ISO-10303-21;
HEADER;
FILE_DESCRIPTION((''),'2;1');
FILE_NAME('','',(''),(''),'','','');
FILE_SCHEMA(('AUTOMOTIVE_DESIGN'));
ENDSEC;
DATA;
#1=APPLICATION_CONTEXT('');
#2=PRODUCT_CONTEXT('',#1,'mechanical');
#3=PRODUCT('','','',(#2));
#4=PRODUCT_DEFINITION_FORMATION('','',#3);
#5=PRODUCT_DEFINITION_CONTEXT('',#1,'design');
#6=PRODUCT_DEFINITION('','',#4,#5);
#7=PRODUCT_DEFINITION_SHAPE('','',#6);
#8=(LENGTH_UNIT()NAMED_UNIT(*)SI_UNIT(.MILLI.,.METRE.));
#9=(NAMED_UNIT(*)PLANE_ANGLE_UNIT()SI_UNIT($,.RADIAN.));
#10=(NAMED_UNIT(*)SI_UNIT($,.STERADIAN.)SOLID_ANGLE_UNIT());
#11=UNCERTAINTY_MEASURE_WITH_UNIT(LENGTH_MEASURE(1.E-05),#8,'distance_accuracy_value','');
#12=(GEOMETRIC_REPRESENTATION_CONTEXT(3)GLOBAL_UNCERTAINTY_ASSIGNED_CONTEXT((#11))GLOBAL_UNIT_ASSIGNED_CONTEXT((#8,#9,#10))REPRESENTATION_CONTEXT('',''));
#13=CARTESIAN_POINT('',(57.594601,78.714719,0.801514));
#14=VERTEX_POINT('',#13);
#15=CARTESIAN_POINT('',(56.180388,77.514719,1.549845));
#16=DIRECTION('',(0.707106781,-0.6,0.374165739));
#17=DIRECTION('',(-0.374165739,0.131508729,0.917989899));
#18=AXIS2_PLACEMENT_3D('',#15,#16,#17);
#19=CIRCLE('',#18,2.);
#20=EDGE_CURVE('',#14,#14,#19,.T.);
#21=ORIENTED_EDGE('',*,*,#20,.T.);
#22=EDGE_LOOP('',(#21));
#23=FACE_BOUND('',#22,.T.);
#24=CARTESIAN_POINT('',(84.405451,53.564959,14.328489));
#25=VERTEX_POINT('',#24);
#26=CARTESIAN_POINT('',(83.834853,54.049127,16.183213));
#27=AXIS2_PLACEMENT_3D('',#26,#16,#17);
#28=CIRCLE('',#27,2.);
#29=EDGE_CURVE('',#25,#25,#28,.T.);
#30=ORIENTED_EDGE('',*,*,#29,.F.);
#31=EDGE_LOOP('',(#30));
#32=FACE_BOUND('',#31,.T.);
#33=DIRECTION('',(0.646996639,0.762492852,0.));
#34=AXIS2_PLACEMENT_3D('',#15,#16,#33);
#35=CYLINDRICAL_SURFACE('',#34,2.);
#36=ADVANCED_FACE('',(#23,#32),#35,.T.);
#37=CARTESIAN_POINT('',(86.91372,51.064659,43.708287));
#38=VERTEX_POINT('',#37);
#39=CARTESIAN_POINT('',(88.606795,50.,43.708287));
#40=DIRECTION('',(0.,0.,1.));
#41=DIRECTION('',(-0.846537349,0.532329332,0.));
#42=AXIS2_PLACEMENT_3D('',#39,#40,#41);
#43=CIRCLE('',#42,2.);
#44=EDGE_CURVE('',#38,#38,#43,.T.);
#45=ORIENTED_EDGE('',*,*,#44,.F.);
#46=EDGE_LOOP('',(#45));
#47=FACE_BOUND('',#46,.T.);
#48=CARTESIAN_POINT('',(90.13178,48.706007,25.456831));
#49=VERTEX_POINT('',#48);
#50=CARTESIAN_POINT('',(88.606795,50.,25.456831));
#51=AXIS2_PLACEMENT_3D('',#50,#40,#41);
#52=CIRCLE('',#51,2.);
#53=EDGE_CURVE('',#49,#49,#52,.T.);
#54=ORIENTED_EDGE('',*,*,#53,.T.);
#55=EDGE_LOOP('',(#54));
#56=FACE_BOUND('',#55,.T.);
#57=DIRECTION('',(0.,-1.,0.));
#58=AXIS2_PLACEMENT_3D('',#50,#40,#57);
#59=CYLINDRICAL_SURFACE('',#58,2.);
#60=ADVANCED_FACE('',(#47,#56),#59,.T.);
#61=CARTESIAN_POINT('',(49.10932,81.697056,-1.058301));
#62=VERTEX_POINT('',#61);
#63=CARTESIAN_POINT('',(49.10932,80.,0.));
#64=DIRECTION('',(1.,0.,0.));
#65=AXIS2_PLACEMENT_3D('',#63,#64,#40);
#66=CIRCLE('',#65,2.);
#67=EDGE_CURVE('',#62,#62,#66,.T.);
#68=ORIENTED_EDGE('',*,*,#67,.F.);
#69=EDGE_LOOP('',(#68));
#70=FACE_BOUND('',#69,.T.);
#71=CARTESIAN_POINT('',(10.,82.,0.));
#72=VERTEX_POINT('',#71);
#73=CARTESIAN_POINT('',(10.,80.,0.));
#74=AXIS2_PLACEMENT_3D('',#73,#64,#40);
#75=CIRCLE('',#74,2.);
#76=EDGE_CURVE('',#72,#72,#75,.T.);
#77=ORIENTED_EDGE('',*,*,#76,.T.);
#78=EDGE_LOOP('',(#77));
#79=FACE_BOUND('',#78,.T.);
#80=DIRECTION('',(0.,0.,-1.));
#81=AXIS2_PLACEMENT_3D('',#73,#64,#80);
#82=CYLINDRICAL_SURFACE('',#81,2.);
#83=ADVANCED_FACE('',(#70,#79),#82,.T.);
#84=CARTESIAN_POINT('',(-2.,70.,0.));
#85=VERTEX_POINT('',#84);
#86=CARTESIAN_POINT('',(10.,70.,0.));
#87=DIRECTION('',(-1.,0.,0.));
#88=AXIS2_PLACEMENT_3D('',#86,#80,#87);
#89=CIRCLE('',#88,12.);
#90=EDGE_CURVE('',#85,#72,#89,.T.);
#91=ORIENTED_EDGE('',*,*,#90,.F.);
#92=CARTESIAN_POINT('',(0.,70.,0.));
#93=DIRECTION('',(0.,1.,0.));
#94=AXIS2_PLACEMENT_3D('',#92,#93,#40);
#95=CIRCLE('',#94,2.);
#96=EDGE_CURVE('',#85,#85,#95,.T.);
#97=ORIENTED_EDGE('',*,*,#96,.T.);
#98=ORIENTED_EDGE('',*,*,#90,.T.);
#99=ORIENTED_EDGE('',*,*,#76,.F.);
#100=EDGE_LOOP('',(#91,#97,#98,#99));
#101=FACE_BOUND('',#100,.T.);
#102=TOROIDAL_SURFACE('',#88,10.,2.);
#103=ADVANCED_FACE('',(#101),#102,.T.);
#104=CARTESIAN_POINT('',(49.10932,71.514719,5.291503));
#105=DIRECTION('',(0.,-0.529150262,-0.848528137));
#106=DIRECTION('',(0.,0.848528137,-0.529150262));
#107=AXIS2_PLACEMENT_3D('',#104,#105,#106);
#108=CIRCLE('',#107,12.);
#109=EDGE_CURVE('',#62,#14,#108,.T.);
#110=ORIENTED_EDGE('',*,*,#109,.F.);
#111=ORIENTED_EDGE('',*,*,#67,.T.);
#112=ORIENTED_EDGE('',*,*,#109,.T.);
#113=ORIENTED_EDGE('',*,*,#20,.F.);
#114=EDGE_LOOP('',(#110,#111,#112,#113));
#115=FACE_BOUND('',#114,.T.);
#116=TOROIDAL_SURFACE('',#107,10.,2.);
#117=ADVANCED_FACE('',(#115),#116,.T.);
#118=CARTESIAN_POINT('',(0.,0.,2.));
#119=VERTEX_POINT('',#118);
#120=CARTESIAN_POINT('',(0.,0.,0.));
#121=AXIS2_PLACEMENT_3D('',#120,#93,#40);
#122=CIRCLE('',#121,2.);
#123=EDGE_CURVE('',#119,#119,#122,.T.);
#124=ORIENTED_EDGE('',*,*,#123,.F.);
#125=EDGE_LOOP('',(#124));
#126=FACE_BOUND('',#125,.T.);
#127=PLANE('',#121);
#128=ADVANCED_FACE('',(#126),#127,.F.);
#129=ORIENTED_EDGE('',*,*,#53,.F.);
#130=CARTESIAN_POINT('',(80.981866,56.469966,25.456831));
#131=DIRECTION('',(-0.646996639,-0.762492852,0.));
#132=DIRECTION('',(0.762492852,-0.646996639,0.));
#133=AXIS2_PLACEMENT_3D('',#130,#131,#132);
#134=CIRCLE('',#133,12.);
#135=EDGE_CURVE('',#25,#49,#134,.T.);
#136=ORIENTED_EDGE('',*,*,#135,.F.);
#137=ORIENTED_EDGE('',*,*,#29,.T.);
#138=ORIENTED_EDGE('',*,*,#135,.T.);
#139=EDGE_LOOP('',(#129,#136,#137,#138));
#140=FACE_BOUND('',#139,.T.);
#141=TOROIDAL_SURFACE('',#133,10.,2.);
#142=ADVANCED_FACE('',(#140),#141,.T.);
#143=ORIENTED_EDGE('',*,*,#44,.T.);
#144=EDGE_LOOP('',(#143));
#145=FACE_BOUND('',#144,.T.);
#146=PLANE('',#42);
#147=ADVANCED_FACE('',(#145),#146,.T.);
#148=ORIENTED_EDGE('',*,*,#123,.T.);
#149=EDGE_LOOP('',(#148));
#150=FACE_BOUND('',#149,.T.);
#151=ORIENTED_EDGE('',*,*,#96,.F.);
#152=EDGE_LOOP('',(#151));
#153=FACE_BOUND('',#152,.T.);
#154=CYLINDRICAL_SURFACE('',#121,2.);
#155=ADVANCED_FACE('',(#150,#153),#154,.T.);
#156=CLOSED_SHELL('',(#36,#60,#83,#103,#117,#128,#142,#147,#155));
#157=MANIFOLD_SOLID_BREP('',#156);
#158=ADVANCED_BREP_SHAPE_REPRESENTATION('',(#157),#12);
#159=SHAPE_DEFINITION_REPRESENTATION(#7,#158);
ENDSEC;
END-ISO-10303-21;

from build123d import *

# Parameters (mm, degrees)
SKETCH2_R = 2


with BuildPart() as part:
    # Sweep1: sweep along a curve in space
    with BuildLine() as sweep1_path:
        Line((0, 0, 0), (0, 70, 0))
        ThreePointArc((10, 80, 0), (2.928932188, 77.071067812, 0), (0, 70, 0))
        Line((10, 80, 0), (49.10931998, 80, 0))
        ThreePointArc((56.180387792, 77.514718626, 1.549845235), (52.936154304, 79.354096415, 0.402791653), (49.10931998, 80, 0))
        Line((56.180387792, 77.514718626, 1.549845235), (83.834853157, 54.049126638, 16.183212835))
        ThreePointArc((83.834853157, 54.049126638, 16.183212835), (87.302204622, 51.106981357, 19.862931701), (88.606794663, 50, 25.45683133))
        Line((88.606794663, 50, 25.45683133), (88.606794663, 50, 43.708286934))
    # Sketch2 → Sweep1 (sweep)
    with BuildSketch(Plane(origin=(0, 0, 0), x_dir=(1, 0, 0), z_dir=(0, 1, 0))):
        Circle(SKETCH2_R)
    sweep(path=sweep1_path.line)


solid = part.part
